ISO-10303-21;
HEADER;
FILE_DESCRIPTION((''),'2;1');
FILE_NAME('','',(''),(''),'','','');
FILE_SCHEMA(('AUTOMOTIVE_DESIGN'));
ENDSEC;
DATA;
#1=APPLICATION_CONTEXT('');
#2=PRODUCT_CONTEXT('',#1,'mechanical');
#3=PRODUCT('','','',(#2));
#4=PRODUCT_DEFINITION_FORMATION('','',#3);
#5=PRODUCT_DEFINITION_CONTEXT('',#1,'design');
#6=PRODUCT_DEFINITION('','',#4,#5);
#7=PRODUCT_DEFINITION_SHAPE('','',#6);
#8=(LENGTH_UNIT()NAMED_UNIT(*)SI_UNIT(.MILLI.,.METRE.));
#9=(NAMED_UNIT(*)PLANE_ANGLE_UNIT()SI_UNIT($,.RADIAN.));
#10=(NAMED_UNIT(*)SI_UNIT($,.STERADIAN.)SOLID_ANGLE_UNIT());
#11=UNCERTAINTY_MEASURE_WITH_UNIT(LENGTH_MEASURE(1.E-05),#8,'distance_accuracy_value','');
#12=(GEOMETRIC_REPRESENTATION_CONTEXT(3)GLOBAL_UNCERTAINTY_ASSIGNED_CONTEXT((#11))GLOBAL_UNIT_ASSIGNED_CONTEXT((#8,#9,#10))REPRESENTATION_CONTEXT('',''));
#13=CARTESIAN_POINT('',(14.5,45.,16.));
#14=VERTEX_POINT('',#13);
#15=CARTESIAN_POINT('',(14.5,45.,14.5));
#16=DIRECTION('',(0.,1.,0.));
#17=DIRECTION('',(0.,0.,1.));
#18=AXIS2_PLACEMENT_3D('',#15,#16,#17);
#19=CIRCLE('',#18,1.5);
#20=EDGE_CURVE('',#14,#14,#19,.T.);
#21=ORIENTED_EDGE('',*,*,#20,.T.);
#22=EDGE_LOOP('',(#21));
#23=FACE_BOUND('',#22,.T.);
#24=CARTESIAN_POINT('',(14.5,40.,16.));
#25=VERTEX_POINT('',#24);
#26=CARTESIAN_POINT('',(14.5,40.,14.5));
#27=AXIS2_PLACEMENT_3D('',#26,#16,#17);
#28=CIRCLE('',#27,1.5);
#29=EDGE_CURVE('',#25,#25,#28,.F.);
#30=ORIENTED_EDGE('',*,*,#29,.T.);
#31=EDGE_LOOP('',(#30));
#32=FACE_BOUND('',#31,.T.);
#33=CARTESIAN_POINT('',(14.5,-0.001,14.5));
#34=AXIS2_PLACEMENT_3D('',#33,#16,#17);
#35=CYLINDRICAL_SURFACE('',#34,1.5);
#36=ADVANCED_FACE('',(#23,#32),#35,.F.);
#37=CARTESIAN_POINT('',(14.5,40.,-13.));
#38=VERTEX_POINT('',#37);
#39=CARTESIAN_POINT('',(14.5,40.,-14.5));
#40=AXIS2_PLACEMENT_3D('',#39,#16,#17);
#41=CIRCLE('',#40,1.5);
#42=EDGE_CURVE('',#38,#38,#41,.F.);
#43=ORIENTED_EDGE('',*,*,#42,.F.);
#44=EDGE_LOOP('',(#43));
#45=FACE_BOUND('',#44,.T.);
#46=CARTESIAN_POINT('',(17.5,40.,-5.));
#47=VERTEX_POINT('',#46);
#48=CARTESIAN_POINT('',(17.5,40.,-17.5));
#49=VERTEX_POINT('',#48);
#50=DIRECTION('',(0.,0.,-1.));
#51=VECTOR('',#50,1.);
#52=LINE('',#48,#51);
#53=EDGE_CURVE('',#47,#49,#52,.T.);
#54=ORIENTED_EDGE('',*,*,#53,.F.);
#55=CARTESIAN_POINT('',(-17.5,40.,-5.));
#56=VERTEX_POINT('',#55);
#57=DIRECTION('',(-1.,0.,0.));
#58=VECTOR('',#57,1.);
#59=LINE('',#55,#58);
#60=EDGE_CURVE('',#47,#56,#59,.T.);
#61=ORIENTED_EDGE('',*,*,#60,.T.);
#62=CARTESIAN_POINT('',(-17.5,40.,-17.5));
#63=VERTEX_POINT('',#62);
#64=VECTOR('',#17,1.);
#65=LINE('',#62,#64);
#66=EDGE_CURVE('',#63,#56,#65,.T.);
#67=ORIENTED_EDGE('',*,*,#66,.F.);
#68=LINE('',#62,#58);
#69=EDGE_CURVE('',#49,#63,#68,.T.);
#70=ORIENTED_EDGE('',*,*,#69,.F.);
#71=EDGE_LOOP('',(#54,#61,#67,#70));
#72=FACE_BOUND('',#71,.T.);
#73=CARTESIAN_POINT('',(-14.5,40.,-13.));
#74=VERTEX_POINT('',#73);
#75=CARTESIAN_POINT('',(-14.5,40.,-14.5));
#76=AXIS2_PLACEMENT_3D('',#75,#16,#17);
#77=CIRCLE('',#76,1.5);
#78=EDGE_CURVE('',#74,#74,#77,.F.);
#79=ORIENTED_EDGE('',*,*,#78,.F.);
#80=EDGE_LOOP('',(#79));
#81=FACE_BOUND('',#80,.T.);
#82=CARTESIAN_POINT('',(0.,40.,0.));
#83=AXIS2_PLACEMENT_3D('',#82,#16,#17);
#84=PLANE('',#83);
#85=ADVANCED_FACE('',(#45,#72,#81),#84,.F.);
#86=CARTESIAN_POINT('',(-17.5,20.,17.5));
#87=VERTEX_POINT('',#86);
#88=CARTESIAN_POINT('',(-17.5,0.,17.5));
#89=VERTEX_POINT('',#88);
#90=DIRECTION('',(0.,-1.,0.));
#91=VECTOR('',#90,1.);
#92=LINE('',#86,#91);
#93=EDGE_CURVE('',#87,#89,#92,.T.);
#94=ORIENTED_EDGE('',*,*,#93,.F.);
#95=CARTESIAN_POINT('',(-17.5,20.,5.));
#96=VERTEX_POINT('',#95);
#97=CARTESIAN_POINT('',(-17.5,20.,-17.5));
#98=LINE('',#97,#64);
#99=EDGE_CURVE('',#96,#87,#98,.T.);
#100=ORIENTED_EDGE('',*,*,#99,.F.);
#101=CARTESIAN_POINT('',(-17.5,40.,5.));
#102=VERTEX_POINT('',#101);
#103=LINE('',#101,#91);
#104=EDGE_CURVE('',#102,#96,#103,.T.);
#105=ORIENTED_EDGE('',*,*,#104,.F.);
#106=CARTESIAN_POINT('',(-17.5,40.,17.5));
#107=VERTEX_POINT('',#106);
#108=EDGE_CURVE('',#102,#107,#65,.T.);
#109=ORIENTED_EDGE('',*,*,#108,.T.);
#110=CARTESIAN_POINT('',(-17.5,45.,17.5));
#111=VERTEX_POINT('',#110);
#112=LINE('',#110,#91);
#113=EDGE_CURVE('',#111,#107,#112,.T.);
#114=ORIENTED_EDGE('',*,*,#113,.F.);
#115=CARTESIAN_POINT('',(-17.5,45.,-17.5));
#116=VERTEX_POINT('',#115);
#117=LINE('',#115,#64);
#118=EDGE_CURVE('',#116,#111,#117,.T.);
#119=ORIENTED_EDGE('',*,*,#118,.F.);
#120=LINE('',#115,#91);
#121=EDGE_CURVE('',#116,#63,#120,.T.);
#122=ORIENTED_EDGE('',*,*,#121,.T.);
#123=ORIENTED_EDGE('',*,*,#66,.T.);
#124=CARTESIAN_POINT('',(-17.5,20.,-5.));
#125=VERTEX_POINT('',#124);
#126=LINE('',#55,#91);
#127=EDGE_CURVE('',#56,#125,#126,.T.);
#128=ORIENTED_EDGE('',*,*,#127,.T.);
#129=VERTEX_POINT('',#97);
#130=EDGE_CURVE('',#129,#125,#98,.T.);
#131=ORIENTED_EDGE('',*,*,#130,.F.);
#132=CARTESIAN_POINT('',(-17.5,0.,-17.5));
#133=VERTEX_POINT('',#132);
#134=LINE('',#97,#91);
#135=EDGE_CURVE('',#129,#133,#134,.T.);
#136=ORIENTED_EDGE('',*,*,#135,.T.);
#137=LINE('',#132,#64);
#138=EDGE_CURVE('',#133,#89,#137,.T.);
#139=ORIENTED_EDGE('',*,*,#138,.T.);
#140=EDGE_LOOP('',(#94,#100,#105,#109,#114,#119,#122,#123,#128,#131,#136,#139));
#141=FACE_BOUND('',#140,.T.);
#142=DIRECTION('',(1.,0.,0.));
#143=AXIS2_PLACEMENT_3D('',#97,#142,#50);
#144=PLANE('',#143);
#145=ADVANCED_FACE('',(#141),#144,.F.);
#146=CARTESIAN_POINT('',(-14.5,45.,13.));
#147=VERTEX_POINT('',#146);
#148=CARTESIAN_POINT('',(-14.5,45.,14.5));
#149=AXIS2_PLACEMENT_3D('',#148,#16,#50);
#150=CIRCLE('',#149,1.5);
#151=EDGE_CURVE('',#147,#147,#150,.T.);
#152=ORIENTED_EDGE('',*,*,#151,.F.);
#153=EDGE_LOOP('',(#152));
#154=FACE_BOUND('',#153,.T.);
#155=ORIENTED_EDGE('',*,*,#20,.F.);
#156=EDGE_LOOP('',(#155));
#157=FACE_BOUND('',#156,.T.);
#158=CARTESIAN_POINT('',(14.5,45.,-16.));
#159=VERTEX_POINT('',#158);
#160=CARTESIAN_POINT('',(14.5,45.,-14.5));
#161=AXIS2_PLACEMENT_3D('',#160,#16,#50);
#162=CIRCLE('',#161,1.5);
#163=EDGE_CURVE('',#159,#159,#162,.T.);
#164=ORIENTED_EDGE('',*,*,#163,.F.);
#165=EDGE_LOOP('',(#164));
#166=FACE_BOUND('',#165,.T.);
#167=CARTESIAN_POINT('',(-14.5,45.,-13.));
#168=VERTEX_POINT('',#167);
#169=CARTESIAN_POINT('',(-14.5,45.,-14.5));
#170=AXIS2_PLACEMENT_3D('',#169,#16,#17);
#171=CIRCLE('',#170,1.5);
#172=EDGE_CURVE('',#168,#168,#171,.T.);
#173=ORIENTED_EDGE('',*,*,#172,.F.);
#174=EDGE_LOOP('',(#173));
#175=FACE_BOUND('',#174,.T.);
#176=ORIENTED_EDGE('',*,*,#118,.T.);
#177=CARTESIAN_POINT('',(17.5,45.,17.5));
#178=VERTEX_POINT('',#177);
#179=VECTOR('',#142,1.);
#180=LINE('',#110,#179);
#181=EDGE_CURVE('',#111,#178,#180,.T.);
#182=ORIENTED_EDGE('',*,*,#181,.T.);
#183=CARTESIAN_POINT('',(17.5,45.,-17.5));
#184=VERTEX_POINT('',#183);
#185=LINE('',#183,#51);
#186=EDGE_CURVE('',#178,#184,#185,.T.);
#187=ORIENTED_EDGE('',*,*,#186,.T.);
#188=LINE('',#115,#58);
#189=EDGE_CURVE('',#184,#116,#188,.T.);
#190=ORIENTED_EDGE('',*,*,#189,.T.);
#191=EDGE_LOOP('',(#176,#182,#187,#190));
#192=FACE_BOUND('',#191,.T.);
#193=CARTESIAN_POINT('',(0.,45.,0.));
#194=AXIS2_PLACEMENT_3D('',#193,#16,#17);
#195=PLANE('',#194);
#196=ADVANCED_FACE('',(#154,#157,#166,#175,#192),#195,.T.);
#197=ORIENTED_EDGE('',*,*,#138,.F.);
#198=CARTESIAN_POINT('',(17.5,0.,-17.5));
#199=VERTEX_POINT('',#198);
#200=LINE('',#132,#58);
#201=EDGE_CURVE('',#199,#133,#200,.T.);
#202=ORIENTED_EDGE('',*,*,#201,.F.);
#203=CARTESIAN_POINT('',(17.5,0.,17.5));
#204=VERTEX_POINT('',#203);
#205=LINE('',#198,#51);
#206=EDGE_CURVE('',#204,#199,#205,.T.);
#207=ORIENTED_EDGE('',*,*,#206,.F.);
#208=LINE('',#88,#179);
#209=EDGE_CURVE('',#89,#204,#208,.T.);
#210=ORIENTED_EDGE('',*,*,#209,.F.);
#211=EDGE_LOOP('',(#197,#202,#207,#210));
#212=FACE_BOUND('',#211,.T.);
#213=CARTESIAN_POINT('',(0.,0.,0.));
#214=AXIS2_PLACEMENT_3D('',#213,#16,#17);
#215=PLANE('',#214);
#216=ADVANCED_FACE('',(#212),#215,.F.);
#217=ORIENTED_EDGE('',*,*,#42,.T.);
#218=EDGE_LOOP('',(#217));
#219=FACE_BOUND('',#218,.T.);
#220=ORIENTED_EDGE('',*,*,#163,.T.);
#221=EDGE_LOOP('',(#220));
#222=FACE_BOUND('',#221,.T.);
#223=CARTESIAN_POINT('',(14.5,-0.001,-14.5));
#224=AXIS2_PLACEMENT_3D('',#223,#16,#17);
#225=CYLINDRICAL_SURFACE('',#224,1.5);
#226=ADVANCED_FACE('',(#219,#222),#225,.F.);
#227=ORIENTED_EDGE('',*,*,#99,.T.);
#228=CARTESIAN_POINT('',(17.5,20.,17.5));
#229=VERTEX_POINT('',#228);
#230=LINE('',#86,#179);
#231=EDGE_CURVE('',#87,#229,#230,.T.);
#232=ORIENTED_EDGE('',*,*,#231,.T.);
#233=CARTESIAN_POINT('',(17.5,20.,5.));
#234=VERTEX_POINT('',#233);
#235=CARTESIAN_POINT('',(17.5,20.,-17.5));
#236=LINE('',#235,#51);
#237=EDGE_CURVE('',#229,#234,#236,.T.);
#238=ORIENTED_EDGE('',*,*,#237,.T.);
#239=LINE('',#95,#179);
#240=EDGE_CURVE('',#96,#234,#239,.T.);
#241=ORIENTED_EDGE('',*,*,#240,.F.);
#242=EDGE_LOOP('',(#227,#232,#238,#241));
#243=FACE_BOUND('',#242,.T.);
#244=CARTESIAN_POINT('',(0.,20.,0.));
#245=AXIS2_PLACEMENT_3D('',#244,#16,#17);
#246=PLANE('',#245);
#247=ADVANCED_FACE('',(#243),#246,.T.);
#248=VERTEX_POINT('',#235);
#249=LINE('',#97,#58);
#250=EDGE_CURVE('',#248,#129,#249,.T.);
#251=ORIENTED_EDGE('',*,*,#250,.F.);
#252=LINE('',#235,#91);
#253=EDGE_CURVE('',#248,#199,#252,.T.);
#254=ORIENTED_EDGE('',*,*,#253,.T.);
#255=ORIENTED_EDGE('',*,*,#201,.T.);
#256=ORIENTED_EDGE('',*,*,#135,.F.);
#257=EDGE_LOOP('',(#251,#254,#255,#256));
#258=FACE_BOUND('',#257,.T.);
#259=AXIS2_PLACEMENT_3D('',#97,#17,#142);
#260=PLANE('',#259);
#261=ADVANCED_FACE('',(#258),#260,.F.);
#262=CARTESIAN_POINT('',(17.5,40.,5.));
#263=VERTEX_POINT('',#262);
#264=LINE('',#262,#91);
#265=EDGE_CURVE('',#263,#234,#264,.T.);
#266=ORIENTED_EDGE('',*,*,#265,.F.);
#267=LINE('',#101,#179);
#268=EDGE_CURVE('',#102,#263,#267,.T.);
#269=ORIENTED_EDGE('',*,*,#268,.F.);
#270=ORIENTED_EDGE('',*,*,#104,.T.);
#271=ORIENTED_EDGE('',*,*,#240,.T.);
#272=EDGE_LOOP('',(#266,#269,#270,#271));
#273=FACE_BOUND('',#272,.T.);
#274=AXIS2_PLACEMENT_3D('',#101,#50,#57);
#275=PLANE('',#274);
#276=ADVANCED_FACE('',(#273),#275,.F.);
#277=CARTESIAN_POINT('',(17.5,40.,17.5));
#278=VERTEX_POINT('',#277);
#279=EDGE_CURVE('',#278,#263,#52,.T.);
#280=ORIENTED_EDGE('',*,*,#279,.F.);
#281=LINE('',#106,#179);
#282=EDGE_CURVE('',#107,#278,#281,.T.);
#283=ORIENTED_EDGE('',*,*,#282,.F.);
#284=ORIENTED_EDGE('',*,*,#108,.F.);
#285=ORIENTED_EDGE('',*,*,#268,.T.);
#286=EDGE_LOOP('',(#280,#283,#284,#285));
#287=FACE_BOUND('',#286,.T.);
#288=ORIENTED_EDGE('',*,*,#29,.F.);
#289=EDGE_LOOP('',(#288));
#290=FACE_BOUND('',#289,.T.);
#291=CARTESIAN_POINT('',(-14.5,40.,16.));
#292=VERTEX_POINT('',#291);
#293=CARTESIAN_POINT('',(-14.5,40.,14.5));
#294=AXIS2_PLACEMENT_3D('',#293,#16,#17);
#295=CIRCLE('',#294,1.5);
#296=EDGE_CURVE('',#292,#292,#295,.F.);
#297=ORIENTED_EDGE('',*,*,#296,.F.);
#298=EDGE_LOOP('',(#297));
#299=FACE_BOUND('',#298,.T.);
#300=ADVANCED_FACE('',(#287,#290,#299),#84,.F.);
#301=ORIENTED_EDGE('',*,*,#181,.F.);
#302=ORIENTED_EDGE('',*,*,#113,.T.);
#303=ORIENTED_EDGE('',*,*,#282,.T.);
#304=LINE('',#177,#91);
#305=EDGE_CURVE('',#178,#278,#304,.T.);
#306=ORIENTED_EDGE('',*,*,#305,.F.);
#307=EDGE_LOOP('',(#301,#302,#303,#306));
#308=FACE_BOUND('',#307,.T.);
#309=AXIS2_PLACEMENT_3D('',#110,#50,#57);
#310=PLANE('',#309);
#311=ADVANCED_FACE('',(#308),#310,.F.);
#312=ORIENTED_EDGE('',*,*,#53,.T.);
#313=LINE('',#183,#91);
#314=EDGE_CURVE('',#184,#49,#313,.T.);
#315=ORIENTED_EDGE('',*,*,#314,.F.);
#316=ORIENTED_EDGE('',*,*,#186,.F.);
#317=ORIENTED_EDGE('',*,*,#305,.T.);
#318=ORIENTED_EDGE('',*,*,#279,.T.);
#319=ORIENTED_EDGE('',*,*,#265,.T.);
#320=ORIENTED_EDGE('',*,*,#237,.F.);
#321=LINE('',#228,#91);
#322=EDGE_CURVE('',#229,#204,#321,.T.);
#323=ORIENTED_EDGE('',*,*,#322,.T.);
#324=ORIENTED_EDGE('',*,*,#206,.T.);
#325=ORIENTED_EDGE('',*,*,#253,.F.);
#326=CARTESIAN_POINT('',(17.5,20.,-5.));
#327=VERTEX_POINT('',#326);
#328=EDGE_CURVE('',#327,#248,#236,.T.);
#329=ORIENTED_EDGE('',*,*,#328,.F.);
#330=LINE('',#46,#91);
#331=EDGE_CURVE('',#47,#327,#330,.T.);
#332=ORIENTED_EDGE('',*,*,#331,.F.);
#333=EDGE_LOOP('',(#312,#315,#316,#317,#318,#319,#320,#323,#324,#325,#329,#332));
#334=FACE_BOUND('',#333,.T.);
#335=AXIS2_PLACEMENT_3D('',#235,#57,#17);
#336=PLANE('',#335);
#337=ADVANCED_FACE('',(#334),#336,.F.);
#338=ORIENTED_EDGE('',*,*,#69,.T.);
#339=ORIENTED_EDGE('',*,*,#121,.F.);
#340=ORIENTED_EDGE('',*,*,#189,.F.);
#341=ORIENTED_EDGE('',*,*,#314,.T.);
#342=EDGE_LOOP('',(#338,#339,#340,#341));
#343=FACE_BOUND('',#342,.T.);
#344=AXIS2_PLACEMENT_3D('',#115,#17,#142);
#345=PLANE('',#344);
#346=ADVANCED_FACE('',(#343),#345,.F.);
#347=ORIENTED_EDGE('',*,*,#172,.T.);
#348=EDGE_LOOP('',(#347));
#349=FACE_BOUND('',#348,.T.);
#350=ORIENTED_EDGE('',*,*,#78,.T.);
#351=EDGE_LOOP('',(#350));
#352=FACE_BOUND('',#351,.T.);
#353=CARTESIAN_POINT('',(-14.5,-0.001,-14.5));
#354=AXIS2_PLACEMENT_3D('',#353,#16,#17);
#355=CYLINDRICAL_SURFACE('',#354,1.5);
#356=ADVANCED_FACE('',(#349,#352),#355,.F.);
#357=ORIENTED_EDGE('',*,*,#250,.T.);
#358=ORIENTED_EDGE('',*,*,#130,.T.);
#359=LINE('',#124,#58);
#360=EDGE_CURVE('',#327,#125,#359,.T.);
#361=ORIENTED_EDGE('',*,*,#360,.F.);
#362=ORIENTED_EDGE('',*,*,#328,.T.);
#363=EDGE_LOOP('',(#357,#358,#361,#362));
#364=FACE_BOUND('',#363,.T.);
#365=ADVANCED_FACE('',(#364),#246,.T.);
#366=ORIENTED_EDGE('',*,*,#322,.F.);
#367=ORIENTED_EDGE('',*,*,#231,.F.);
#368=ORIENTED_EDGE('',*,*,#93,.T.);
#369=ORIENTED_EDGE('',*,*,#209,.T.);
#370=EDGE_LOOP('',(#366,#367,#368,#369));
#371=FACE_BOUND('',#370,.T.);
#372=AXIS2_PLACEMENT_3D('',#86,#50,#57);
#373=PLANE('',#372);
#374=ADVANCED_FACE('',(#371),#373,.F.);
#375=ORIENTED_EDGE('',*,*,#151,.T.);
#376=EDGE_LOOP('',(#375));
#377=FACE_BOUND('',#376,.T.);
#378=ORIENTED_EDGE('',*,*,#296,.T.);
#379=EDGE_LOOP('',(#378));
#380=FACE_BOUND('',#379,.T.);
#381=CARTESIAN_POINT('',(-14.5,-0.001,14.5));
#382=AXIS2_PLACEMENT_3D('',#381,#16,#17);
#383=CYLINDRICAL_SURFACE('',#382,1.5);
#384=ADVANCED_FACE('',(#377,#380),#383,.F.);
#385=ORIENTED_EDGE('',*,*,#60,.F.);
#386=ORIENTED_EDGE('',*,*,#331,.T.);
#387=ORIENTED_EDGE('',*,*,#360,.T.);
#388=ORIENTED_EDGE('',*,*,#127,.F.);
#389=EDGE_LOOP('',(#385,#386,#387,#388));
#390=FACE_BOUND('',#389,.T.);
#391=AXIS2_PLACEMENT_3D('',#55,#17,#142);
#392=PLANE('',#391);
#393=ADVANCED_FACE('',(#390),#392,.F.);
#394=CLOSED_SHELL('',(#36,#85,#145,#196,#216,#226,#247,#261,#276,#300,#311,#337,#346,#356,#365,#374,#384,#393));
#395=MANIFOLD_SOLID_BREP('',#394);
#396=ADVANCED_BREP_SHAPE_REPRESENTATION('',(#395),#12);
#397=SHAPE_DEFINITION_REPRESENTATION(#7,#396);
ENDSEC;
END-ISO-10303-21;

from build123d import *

# Parameters (mm, degrees)
SKETCH1_W           = 35
SKETCH1_H           = 35
BOSS_EXTRUDE2_DEPTH = 20
SKETCH2_W           = 35
SKETCH2_H           = 10
BOSS_EXTRUDE3_DEPTH = 20
SKETCH3_W           = 35
SKETCH3_H           = 35
BOSS_EXTRUDE4_DEPTH = 5
CUT_EXTRUDE1_REACH  = 53.357
SKETCH4_R           = 1.5


with BuildPart() as part:
    # Sketch1 → Boss-Extrude2 (new body)
    with BuildSketch(Plane(origin=(0, 0, 0), x_dir=(1, 0, 0), z_dir=(0, 1, 0))):
        Rectangle(SKETCH1_W, SKETCH1_H)
    extrude(amount=BOSS_EXTRUDE2_DEPTH)

    # Sketch2 → Boss-Extrude3 (add)
    with BuildSketch(Plane(origin=(0, 20, 0), x_dir=(1, 0, 0), z_dir=(0, 1, 0))):
        Rectangle(SKETCH2_W, SKETCH2_H)
    extrude(amount=BOSS_EXTRUDE3_DEPTH)

    # Sketch3 → Boss-Extrude4 (add)
    with BuildSketch(Plane(origin=(0, 40, 0), x_dir=(1, 0, 0), z_dir=(0, 1, 0))):
        Rectangle(SKETCH3_W, SKETCH3_H)
    extrude(amount=BOSS_EXTRUDE4_DEPTH)

    # Sketch4 → Cut-Extrude1 (cut, up to next)
    with BuildSketch(Plane(origin=(0, 45, 0), x_dir=(1, 0, 0), z_dir=(0, 1, 0)), mode=Mode.PRIVATE) as cut_extrude1_sk1:
        with Locations(Location((-14.5, 14.5, 0), (0, 0, 270))):
            Circle(SKETCH4_R)
    cut_extrude1_tool1 = extrude(cut_extrude1_sk1.sketch, amount=-CUT_EXTRUDE1_REACH, mode=Mode.PRIVATE) & part.part
    # Sketch4 → Cut-Extrude1 (cut, up to next)
    with BuildSketch(Plane(origin=(0, 45, 0), x_dir=(1, 0, 0), z_dir=(0, 1, 0)), mode=Mode.PRIVATE) as cut_extrude1_sk2:
        with Locations(Location((14.5, 14.5, 0), (0, 0, 270))):
            Circle(SKETCH4_R)
    cut_extrude1_tool2 = extrude(cut_extrude1_sk2.sketch, amount=-CUT_EXTRUDE1_REACH, mode=Mode.PRIVATE) & part.part
    # Sketch4 → Cut-Extrude1 (cut, up to next)
    with BuildSketch(Plane(origin=(0, 45, 0), x_dir=(1, 0, 0), z_dir=(0, 1, 0)), mode=Mode.PRIVATE) as cut_extrude1_sk3:
        with Locations(Location((14.5, -14.5, 0), (0, 0, 270))):
            Circle(SKETCH4_R)
    cut_extrude1_tool3 = extrude(cut_extrude1_sk3.sketch, amount=-CUT_EXTRUDE1_REACH, mode=Mode.PRIVATE) & part.part
    # Sketch4 → Cut-Extrude1 (cut, up to next)
    with BuildSketch(Plane(origin=(0, 45, 0), x_dir=(1, 0, 0), z_dir=(0, 1, 0)), mode=Mode.PRIVATE) as cut_extrude1_sk4:
        with Locations(Location((-14.5, -14.5, 0), (0, 0, 270))):
            Circle(SKETCH4_R)
    cut_extrude1_tool4 = extrude(cut_extrude1_sk4.sketch, amount=-CUT_EXTRUDE1_REACH, mode=Mode.PRIVATE) & part.part
    add(cut_extrude1_tool1.solids().sort_by_distance((-14.5, 45, -14.5))[0], mode=Mode.SUBTRACT)
    add(cut_extrude1_tool2.solids().sort_by_distance((14.5, 45, -14.5))[0], mode=Mode.SUBTRACT)
    add(cut_extrude1_tool3.solids().sort_by_distance((14.5, 45, 14.5))[0], mode=Mode.SUBTRACT)
    add(cut_extrude1_tool4.solids().sort_by_distance((-14.5, 45, 14.5))[0], mode=Mode.SUBTRACT)


solid = part.part
